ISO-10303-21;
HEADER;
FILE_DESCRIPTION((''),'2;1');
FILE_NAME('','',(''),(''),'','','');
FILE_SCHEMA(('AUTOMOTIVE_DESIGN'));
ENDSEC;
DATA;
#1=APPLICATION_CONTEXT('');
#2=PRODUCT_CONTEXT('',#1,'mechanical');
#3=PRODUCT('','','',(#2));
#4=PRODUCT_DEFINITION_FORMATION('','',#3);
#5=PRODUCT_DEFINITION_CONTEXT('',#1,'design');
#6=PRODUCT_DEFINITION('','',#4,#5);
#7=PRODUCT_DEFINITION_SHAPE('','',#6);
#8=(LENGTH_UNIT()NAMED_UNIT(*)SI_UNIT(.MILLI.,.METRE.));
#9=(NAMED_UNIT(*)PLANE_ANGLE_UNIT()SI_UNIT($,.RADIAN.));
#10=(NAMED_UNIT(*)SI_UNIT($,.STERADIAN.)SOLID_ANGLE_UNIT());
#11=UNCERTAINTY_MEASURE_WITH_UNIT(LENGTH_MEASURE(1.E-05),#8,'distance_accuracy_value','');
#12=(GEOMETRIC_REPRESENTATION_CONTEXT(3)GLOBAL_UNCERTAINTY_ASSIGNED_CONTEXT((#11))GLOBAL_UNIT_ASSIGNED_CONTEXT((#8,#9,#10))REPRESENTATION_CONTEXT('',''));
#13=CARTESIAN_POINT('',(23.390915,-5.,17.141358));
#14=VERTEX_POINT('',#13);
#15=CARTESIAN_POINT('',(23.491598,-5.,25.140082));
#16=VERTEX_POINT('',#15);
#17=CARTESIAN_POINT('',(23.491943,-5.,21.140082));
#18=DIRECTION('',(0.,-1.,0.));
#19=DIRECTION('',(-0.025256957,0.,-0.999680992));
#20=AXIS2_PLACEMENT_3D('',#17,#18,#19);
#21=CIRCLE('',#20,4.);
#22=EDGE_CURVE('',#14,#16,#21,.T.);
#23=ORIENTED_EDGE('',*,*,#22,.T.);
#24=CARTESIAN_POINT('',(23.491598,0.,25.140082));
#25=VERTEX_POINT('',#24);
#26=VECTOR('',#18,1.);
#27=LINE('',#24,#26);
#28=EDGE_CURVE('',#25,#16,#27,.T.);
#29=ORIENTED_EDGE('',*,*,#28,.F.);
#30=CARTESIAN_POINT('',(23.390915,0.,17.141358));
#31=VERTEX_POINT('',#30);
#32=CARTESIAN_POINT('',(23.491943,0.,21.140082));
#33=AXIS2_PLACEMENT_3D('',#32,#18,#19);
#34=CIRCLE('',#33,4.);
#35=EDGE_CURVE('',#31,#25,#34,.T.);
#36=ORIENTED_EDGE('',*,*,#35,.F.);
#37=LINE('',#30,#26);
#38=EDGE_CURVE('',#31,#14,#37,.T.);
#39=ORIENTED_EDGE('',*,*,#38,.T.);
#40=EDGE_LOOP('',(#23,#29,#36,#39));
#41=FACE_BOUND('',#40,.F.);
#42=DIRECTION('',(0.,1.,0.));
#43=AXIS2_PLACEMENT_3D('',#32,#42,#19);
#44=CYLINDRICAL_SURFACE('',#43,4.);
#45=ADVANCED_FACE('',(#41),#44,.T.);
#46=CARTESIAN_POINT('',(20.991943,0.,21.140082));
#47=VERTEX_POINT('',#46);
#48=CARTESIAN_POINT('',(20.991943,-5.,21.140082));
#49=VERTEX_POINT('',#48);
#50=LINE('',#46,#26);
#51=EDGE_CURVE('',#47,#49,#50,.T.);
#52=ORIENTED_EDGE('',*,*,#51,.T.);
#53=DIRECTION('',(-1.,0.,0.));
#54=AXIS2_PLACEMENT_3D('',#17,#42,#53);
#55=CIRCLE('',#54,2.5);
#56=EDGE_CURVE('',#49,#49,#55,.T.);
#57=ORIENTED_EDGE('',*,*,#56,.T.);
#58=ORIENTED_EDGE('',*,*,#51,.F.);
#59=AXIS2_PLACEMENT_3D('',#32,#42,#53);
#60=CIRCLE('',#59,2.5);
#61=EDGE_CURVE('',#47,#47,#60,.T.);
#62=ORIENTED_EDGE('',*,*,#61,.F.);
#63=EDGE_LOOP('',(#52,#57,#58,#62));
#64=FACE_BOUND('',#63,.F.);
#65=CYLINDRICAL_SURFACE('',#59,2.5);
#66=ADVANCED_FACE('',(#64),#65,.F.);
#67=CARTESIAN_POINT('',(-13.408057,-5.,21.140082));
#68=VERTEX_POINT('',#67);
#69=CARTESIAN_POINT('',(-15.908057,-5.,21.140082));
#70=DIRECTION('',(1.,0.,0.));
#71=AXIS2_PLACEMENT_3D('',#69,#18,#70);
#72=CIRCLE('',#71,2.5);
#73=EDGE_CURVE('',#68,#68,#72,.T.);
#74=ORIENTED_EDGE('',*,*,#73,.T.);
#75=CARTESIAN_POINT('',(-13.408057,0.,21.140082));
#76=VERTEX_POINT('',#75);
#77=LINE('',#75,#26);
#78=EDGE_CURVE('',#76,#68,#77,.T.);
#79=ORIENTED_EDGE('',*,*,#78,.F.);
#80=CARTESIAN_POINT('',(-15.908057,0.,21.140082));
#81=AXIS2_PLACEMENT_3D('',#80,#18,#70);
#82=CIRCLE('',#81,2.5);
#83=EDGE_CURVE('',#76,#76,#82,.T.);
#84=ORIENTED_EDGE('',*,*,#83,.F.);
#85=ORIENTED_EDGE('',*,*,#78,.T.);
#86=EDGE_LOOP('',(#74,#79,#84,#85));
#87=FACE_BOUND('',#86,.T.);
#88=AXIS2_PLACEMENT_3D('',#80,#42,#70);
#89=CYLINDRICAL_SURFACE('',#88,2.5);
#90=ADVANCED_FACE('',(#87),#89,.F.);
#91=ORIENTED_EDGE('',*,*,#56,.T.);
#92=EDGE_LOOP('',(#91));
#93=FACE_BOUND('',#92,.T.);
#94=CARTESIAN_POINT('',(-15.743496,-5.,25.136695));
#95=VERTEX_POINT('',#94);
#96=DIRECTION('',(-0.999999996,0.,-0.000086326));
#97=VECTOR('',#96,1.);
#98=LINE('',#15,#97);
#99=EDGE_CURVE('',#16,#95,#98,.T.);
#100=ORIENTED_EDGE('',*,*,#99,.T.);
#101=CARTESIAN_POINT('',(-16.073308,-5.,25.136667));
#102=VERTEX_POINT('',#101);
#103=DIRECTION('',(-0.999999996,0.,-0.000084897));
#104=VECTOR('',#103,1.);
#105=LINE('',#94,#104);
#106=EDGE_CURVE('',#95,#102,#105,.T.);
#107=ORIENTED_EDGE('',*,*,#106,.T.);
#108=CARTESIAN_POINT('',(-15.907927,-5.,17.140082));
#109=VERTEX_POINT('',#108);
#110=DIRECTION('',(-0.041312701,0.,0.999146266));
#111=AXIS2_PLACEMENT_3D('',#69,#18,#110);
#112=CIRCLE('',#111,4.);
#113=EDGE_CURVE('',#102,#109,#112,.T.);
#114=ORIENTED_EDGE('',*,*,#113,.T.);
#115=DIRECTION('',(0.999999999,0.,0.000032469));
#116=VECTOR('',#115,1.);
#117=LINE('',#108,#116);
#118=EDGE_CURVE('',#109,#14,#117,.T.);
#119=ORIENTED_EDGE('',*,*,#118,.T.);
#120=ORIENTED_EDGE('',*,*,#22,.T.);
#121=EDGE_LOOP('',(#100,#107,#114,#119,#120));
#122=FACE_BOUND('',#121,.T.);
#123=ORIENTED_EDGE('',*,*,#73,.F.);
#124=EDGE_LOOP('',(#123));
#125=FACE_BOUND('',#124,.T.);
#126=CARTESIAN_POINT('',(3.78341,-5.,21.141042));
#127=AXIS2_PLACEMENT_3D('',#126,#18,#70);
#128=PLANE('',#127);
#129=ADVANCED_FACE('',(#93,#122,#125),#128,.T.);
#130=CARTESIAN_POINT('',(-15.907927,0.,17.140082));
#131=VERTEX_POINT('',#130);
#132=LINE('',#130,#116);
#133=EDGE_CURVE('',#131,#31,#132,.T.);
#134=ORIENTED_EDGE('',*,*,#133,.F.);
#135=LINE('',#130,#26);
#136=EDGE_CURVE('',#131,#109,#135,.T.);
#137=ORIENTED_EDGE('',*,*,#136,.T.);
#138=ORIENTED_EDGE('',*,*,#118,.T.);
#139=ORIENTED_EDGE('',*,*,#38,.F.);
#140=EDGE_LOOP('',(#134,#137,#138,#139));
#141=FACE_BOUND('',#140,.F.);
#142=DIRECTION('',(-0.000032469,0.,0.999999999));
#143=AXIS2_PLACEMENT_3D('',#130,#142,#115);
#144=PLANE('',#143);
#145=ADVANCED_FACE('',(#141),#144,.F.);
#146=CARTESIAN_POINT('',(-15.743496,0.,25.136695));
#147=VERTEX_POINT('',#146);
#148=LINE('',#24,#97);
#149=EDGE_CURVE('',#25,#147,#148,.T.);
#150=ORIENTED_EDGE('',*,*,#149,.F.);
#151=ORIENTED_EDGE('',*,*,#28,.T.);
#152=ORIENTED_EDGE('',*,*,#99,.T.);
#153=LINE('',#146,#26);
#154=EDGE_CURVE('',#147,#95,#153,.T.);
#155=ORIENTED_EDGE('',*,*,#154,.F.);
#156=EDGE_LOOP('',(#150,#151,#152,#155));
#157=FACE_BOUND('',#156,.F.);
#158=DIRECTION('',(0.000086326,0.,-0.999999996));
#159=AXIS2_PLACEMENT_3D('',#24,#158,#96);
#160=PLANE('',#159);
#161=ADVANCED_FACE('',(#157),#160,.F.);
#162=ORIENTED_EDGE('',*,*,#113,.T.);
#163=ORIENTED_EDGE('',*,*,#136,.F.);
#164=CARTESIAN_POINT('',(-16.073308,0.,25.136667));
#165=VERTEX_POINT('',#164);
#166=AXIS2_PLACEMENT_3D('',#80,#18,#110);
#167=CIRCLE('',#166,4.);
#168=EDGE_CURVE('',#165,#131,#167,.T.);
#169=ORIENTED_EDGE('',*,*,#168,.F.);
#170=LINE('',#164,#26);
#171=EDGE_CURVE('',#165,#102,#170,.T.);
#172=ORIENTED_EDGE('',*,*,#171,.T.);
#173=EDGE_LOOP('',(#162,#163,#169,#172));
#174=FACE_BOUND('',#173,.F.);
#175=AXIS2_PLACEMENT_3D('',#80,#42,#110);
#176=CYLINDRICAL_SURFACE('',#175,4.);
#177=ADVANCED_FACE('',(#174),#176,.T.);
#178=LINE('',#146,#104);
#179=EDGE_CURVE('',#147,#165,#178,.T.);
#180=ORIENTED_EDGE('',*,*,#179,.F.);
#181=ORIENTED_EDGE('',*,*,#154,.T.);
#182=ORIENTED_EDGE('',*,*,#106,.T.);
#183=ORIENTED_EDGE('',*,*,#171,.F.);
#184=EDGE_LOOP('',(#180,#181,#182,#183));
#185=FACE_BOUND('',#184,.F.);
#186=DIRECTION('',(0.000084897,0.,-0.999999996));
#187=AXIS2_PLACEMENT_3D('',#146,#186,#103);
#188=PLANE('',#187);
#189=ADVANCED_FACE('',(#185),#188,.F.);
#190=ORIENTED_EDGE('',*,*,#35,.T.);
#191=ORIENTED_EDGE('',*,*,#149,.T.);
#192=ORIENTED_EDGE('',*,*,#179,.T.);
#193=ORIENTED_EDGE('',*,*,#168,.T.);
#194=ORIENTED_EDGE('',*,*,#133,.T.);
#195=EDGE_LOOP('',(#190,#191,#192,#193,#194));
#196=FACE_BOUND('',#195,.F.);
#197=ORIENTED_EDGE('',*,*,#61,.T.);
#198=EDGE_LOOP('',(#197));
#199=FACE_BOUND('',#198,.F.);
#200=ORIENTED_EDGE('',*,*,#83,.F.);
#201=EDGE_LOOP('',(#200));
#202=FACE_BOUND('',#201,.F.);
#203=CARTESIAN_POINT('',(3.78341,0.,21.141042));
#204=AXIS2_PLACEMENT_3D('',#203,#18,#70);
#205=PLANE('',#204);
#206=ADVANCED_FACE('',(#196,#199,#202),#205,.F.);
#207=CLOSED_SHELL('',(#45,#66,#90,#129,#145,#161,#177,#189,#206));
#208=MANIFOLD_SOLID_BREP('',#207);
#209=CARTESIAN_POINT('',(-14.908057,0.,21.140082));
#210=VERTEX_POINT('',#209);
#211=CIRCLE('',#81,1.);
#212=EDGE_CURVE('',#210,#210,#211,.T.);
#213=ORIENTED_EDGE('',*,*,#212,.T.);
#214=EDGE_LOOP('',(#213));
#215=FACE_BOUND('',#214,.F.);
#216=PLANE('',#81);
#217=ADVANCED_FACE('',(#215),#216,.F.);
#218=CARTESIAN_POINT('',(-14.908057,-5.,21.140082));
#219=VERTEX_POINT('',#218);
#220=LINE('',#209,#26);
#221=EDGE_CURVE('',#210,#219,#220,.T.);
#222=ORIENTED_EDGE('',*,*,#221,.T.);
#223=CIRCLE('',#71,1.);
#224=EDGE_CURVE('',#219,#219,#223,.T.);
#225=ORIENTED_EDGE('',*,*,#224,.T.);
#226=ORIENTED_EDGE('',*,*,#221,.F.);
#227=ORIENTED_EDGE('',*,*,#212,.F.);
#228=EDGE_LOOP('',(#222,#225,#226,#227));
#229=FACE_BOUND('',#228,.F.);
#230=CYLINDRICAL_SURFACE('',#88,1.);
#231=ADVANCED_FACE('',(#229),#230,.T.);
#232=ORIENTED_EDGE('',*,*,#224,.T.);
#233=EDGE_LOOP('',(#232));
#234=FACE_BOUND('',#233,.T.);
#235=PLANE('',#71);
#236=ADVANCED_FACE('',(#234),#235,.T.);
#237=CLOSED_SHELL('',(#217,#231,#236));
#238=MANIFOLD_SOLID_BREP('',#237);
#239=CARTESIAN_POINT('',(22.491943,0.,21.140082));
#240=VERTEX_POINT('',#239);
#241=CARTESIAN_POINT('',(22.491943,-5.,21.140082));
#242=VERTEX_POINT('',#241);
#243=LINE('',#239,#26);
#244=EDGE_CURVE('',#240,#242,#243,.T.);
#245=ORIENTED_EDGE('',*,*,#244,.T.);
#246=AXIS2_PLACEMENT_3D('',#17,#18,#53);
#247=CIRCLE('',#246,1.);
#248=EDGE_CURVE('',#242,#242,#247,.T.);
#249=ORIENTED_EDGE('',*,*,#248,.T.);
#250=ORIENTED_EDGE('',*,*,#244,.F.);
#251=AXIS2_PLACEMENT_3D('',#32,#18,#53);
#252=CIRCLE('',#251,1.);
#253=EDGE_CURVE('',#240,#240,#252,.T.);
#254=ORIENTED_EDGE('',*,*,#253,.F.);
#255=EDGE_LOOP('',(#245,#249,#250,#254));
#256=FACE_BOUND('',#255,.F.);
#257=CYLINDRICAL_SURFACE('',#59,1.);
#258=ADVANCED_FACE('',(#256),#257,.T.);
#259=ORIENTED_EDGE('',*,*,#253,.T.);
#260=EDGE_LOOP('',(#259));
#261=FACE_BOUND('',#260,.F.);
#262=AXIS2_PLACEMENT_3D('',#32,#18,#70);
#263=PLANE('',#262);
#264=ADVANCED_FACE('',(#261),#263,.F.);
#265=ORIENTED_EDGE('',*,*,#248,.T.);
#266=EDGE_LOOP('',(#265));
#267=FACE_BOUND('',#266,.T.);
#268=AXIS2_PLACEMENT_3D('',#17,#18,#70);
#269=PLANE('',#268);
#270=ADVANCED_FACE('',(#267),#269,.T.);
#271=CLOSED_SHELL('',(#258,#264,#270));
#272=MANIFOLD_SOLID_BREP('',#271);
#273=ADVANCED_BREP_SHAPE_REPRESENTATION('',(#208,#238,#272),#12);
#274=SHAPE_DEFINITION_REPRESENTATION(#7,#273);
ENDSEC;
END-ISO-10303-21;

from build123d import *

# Parameters (mm, degrees)
F0_R     = 2.5
F1_DEPTH = 5
F0_R_2   = 1
F2_DEPTH = 5


with BuildPart() as f1:
    # F0 (on Front) → F1 (new body)
    with BuildSketch(Plane.XZ):
        with BuildLine():
            Line((23.491598, 25.140082), (-15.743496, 25.136695))
            Line((-15.743496, 25.136695), (-16.073308, 25.136667))
            ThreePointArc((-16.073308, 25.136667), (-19.907202, 21.057374), (-15.907927, 17.140082))
            Line((-15.907927, 17.140082), (23.390915, 17.141358))
            ThreePointArc((23.390915, 17.141358), (27.491626, 21.089736), (23.491598, 25.140082))
        make_face()
        with Locations((-15.908057, 21.140082)):
            Circle(F0_R, mode=Mode.SUBTRACT)
        with BuildLine():
            ThreePointArc((25.991943, 21.140082), (23.491943, 18.640082), (20.991943, 21.140082))
            ThreePointArc((20.991943, 21.140082), (23.491943, 23.640082), (25.991943, 21.140082))
        make_face(mode=Mode.SUBTRACT)
    extrude(amount=F1_DEPTH)


with BuildPart() as f2:
    # F0 (on Front) → F2 (new body)
    with BuildSketch(Plane.XZ):
        with Locations((-15.908057, 21.140082)):
            Circle(F0_R_2)
        with BuildLine():
            ThreePointArc((24.491943, 21.140082), (23.491943, 22.140082), (22.491943, 21.140082))
            ThreePointArc((22.491943, 21.140082), (23.491943, 20.140082), (24.491943, 21.140082))
        make_face()
    extrude(amount=F2_DEPTH)


solid = Compound([f1.part, f2.part])
